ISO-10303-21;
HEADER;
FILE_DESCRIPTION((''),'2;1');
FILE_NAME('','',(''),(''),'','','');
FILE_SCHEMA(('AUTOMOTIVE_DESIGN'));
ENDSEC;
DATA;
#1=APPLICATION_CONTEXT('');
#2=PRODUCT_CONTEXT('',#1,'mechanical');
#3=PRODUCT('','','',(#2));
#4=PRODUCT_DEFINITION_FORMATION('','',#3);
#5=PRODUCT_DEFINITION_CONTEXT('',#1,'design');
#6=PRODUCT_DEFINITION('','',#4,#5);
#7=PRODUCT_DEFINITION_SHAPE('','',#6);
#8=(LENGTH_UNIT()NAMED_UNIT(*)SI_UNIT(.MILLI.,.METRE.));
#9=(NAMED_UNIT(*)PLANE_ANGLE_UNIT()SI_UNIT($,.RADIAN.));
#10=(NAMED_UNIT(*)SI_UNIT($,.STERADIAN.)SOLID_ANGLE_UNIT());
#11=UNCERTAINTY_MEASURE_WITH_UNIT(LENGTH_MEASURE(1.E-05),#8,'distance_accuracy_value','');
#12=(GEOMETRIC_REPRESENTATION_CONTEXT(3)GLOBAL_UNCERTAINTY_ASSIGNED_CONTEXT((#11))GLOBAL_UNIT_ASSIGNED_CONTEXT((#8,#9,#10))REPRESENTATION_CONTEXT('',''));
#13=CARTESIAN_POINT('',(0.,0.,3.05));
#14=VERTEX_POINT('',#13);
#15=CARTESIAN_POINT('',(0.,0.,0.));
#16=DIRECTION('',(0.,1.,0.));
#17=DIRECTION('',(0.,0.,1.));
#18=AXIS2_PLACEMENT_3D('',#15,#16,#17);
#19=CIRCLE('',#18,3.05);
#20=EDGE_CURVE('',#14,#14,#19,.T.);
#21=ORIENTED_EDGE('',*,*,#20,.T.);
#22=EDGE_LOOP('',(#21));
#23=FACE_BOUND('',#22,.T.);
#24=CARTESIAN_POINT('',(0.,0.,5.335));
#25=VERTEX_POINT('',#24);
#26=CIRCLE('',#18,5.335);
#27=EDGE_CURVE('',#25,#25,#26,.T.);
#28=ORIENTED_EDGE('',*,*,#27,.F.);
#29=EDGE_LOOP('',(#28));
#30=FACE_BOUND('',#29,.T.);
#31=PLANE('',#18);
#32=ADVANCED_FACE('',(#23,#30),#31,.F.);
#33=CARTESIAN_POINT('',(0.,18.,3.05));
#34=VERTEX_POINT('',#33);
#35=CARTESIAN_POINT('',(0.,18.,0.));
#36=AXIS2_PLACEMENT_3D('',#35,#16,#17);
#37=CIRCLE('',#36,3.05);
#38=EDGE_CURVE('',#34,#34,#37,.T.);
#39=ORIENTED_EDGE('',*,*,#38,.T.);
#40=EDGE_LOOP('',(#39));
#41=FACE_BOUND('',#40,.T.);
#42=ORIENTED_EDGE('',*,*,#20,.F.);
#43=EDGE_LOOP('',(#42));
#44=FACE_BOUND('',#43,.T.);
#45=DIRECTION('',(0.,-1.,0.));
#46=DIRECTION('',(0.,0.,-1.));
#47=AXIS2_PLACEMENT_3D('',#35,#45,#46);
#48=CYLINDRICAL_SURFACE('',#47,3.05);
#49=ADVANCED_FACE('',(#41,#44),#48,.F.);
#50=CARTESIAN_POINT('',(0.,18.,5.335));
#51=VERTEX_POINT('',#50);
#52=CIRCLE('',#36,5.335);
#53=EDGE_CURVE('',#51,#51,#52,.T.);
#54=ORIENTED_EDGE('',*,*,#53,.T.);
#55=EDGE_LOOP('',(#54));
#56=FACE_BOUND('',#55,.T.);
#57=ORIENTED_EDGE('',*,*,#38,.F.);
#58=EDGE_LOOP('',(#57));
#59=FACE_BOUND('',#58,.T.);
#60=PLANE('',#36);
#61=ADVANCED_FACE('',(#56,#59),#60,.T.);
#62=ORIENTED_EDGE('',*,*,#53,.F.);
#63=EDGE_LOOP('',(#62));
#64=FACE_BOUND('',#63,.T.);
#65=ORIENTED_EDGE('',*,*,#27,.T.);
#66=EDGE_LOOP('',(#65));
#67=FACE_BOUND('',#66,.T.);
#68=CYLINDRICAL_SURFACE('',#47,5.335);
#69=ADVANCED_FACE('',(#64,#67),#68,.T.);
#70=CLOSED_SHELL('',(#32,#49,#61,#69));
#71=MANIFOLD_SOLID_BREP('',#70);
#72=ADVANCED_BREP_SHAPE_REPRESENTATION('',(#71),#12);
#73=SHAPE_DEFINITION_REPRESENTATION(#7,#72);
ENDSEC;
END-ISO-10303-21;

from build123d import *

# Parameters (mm, degrees)
SKETCH2_R           = 5.335
SKETCH2_R_2         = 3.05
BOSS_EXTRUDE1_DEPTH = 18


with BuildPart() as part:
    # Sketch2 → Boss-Extrude1 (new body)
    with BuildSketch(Plane(origin=(0, 0, 0), x_dir=(1, 0, 0), z_dir=(0, 1, 0))):
        with Locations(Location((0, 0, 0), (0, 0, 270))):
            Circle(SKETCH2_R)
        with Locations(Location((0, 0, 0), (0, 0, 270))):
            Circle(SKETCH2_R_2, mode=Mode.SUBTRACT)
    extrude(amount=BOSS_EXTRUDE1_DEPTH)


solid = part.part
